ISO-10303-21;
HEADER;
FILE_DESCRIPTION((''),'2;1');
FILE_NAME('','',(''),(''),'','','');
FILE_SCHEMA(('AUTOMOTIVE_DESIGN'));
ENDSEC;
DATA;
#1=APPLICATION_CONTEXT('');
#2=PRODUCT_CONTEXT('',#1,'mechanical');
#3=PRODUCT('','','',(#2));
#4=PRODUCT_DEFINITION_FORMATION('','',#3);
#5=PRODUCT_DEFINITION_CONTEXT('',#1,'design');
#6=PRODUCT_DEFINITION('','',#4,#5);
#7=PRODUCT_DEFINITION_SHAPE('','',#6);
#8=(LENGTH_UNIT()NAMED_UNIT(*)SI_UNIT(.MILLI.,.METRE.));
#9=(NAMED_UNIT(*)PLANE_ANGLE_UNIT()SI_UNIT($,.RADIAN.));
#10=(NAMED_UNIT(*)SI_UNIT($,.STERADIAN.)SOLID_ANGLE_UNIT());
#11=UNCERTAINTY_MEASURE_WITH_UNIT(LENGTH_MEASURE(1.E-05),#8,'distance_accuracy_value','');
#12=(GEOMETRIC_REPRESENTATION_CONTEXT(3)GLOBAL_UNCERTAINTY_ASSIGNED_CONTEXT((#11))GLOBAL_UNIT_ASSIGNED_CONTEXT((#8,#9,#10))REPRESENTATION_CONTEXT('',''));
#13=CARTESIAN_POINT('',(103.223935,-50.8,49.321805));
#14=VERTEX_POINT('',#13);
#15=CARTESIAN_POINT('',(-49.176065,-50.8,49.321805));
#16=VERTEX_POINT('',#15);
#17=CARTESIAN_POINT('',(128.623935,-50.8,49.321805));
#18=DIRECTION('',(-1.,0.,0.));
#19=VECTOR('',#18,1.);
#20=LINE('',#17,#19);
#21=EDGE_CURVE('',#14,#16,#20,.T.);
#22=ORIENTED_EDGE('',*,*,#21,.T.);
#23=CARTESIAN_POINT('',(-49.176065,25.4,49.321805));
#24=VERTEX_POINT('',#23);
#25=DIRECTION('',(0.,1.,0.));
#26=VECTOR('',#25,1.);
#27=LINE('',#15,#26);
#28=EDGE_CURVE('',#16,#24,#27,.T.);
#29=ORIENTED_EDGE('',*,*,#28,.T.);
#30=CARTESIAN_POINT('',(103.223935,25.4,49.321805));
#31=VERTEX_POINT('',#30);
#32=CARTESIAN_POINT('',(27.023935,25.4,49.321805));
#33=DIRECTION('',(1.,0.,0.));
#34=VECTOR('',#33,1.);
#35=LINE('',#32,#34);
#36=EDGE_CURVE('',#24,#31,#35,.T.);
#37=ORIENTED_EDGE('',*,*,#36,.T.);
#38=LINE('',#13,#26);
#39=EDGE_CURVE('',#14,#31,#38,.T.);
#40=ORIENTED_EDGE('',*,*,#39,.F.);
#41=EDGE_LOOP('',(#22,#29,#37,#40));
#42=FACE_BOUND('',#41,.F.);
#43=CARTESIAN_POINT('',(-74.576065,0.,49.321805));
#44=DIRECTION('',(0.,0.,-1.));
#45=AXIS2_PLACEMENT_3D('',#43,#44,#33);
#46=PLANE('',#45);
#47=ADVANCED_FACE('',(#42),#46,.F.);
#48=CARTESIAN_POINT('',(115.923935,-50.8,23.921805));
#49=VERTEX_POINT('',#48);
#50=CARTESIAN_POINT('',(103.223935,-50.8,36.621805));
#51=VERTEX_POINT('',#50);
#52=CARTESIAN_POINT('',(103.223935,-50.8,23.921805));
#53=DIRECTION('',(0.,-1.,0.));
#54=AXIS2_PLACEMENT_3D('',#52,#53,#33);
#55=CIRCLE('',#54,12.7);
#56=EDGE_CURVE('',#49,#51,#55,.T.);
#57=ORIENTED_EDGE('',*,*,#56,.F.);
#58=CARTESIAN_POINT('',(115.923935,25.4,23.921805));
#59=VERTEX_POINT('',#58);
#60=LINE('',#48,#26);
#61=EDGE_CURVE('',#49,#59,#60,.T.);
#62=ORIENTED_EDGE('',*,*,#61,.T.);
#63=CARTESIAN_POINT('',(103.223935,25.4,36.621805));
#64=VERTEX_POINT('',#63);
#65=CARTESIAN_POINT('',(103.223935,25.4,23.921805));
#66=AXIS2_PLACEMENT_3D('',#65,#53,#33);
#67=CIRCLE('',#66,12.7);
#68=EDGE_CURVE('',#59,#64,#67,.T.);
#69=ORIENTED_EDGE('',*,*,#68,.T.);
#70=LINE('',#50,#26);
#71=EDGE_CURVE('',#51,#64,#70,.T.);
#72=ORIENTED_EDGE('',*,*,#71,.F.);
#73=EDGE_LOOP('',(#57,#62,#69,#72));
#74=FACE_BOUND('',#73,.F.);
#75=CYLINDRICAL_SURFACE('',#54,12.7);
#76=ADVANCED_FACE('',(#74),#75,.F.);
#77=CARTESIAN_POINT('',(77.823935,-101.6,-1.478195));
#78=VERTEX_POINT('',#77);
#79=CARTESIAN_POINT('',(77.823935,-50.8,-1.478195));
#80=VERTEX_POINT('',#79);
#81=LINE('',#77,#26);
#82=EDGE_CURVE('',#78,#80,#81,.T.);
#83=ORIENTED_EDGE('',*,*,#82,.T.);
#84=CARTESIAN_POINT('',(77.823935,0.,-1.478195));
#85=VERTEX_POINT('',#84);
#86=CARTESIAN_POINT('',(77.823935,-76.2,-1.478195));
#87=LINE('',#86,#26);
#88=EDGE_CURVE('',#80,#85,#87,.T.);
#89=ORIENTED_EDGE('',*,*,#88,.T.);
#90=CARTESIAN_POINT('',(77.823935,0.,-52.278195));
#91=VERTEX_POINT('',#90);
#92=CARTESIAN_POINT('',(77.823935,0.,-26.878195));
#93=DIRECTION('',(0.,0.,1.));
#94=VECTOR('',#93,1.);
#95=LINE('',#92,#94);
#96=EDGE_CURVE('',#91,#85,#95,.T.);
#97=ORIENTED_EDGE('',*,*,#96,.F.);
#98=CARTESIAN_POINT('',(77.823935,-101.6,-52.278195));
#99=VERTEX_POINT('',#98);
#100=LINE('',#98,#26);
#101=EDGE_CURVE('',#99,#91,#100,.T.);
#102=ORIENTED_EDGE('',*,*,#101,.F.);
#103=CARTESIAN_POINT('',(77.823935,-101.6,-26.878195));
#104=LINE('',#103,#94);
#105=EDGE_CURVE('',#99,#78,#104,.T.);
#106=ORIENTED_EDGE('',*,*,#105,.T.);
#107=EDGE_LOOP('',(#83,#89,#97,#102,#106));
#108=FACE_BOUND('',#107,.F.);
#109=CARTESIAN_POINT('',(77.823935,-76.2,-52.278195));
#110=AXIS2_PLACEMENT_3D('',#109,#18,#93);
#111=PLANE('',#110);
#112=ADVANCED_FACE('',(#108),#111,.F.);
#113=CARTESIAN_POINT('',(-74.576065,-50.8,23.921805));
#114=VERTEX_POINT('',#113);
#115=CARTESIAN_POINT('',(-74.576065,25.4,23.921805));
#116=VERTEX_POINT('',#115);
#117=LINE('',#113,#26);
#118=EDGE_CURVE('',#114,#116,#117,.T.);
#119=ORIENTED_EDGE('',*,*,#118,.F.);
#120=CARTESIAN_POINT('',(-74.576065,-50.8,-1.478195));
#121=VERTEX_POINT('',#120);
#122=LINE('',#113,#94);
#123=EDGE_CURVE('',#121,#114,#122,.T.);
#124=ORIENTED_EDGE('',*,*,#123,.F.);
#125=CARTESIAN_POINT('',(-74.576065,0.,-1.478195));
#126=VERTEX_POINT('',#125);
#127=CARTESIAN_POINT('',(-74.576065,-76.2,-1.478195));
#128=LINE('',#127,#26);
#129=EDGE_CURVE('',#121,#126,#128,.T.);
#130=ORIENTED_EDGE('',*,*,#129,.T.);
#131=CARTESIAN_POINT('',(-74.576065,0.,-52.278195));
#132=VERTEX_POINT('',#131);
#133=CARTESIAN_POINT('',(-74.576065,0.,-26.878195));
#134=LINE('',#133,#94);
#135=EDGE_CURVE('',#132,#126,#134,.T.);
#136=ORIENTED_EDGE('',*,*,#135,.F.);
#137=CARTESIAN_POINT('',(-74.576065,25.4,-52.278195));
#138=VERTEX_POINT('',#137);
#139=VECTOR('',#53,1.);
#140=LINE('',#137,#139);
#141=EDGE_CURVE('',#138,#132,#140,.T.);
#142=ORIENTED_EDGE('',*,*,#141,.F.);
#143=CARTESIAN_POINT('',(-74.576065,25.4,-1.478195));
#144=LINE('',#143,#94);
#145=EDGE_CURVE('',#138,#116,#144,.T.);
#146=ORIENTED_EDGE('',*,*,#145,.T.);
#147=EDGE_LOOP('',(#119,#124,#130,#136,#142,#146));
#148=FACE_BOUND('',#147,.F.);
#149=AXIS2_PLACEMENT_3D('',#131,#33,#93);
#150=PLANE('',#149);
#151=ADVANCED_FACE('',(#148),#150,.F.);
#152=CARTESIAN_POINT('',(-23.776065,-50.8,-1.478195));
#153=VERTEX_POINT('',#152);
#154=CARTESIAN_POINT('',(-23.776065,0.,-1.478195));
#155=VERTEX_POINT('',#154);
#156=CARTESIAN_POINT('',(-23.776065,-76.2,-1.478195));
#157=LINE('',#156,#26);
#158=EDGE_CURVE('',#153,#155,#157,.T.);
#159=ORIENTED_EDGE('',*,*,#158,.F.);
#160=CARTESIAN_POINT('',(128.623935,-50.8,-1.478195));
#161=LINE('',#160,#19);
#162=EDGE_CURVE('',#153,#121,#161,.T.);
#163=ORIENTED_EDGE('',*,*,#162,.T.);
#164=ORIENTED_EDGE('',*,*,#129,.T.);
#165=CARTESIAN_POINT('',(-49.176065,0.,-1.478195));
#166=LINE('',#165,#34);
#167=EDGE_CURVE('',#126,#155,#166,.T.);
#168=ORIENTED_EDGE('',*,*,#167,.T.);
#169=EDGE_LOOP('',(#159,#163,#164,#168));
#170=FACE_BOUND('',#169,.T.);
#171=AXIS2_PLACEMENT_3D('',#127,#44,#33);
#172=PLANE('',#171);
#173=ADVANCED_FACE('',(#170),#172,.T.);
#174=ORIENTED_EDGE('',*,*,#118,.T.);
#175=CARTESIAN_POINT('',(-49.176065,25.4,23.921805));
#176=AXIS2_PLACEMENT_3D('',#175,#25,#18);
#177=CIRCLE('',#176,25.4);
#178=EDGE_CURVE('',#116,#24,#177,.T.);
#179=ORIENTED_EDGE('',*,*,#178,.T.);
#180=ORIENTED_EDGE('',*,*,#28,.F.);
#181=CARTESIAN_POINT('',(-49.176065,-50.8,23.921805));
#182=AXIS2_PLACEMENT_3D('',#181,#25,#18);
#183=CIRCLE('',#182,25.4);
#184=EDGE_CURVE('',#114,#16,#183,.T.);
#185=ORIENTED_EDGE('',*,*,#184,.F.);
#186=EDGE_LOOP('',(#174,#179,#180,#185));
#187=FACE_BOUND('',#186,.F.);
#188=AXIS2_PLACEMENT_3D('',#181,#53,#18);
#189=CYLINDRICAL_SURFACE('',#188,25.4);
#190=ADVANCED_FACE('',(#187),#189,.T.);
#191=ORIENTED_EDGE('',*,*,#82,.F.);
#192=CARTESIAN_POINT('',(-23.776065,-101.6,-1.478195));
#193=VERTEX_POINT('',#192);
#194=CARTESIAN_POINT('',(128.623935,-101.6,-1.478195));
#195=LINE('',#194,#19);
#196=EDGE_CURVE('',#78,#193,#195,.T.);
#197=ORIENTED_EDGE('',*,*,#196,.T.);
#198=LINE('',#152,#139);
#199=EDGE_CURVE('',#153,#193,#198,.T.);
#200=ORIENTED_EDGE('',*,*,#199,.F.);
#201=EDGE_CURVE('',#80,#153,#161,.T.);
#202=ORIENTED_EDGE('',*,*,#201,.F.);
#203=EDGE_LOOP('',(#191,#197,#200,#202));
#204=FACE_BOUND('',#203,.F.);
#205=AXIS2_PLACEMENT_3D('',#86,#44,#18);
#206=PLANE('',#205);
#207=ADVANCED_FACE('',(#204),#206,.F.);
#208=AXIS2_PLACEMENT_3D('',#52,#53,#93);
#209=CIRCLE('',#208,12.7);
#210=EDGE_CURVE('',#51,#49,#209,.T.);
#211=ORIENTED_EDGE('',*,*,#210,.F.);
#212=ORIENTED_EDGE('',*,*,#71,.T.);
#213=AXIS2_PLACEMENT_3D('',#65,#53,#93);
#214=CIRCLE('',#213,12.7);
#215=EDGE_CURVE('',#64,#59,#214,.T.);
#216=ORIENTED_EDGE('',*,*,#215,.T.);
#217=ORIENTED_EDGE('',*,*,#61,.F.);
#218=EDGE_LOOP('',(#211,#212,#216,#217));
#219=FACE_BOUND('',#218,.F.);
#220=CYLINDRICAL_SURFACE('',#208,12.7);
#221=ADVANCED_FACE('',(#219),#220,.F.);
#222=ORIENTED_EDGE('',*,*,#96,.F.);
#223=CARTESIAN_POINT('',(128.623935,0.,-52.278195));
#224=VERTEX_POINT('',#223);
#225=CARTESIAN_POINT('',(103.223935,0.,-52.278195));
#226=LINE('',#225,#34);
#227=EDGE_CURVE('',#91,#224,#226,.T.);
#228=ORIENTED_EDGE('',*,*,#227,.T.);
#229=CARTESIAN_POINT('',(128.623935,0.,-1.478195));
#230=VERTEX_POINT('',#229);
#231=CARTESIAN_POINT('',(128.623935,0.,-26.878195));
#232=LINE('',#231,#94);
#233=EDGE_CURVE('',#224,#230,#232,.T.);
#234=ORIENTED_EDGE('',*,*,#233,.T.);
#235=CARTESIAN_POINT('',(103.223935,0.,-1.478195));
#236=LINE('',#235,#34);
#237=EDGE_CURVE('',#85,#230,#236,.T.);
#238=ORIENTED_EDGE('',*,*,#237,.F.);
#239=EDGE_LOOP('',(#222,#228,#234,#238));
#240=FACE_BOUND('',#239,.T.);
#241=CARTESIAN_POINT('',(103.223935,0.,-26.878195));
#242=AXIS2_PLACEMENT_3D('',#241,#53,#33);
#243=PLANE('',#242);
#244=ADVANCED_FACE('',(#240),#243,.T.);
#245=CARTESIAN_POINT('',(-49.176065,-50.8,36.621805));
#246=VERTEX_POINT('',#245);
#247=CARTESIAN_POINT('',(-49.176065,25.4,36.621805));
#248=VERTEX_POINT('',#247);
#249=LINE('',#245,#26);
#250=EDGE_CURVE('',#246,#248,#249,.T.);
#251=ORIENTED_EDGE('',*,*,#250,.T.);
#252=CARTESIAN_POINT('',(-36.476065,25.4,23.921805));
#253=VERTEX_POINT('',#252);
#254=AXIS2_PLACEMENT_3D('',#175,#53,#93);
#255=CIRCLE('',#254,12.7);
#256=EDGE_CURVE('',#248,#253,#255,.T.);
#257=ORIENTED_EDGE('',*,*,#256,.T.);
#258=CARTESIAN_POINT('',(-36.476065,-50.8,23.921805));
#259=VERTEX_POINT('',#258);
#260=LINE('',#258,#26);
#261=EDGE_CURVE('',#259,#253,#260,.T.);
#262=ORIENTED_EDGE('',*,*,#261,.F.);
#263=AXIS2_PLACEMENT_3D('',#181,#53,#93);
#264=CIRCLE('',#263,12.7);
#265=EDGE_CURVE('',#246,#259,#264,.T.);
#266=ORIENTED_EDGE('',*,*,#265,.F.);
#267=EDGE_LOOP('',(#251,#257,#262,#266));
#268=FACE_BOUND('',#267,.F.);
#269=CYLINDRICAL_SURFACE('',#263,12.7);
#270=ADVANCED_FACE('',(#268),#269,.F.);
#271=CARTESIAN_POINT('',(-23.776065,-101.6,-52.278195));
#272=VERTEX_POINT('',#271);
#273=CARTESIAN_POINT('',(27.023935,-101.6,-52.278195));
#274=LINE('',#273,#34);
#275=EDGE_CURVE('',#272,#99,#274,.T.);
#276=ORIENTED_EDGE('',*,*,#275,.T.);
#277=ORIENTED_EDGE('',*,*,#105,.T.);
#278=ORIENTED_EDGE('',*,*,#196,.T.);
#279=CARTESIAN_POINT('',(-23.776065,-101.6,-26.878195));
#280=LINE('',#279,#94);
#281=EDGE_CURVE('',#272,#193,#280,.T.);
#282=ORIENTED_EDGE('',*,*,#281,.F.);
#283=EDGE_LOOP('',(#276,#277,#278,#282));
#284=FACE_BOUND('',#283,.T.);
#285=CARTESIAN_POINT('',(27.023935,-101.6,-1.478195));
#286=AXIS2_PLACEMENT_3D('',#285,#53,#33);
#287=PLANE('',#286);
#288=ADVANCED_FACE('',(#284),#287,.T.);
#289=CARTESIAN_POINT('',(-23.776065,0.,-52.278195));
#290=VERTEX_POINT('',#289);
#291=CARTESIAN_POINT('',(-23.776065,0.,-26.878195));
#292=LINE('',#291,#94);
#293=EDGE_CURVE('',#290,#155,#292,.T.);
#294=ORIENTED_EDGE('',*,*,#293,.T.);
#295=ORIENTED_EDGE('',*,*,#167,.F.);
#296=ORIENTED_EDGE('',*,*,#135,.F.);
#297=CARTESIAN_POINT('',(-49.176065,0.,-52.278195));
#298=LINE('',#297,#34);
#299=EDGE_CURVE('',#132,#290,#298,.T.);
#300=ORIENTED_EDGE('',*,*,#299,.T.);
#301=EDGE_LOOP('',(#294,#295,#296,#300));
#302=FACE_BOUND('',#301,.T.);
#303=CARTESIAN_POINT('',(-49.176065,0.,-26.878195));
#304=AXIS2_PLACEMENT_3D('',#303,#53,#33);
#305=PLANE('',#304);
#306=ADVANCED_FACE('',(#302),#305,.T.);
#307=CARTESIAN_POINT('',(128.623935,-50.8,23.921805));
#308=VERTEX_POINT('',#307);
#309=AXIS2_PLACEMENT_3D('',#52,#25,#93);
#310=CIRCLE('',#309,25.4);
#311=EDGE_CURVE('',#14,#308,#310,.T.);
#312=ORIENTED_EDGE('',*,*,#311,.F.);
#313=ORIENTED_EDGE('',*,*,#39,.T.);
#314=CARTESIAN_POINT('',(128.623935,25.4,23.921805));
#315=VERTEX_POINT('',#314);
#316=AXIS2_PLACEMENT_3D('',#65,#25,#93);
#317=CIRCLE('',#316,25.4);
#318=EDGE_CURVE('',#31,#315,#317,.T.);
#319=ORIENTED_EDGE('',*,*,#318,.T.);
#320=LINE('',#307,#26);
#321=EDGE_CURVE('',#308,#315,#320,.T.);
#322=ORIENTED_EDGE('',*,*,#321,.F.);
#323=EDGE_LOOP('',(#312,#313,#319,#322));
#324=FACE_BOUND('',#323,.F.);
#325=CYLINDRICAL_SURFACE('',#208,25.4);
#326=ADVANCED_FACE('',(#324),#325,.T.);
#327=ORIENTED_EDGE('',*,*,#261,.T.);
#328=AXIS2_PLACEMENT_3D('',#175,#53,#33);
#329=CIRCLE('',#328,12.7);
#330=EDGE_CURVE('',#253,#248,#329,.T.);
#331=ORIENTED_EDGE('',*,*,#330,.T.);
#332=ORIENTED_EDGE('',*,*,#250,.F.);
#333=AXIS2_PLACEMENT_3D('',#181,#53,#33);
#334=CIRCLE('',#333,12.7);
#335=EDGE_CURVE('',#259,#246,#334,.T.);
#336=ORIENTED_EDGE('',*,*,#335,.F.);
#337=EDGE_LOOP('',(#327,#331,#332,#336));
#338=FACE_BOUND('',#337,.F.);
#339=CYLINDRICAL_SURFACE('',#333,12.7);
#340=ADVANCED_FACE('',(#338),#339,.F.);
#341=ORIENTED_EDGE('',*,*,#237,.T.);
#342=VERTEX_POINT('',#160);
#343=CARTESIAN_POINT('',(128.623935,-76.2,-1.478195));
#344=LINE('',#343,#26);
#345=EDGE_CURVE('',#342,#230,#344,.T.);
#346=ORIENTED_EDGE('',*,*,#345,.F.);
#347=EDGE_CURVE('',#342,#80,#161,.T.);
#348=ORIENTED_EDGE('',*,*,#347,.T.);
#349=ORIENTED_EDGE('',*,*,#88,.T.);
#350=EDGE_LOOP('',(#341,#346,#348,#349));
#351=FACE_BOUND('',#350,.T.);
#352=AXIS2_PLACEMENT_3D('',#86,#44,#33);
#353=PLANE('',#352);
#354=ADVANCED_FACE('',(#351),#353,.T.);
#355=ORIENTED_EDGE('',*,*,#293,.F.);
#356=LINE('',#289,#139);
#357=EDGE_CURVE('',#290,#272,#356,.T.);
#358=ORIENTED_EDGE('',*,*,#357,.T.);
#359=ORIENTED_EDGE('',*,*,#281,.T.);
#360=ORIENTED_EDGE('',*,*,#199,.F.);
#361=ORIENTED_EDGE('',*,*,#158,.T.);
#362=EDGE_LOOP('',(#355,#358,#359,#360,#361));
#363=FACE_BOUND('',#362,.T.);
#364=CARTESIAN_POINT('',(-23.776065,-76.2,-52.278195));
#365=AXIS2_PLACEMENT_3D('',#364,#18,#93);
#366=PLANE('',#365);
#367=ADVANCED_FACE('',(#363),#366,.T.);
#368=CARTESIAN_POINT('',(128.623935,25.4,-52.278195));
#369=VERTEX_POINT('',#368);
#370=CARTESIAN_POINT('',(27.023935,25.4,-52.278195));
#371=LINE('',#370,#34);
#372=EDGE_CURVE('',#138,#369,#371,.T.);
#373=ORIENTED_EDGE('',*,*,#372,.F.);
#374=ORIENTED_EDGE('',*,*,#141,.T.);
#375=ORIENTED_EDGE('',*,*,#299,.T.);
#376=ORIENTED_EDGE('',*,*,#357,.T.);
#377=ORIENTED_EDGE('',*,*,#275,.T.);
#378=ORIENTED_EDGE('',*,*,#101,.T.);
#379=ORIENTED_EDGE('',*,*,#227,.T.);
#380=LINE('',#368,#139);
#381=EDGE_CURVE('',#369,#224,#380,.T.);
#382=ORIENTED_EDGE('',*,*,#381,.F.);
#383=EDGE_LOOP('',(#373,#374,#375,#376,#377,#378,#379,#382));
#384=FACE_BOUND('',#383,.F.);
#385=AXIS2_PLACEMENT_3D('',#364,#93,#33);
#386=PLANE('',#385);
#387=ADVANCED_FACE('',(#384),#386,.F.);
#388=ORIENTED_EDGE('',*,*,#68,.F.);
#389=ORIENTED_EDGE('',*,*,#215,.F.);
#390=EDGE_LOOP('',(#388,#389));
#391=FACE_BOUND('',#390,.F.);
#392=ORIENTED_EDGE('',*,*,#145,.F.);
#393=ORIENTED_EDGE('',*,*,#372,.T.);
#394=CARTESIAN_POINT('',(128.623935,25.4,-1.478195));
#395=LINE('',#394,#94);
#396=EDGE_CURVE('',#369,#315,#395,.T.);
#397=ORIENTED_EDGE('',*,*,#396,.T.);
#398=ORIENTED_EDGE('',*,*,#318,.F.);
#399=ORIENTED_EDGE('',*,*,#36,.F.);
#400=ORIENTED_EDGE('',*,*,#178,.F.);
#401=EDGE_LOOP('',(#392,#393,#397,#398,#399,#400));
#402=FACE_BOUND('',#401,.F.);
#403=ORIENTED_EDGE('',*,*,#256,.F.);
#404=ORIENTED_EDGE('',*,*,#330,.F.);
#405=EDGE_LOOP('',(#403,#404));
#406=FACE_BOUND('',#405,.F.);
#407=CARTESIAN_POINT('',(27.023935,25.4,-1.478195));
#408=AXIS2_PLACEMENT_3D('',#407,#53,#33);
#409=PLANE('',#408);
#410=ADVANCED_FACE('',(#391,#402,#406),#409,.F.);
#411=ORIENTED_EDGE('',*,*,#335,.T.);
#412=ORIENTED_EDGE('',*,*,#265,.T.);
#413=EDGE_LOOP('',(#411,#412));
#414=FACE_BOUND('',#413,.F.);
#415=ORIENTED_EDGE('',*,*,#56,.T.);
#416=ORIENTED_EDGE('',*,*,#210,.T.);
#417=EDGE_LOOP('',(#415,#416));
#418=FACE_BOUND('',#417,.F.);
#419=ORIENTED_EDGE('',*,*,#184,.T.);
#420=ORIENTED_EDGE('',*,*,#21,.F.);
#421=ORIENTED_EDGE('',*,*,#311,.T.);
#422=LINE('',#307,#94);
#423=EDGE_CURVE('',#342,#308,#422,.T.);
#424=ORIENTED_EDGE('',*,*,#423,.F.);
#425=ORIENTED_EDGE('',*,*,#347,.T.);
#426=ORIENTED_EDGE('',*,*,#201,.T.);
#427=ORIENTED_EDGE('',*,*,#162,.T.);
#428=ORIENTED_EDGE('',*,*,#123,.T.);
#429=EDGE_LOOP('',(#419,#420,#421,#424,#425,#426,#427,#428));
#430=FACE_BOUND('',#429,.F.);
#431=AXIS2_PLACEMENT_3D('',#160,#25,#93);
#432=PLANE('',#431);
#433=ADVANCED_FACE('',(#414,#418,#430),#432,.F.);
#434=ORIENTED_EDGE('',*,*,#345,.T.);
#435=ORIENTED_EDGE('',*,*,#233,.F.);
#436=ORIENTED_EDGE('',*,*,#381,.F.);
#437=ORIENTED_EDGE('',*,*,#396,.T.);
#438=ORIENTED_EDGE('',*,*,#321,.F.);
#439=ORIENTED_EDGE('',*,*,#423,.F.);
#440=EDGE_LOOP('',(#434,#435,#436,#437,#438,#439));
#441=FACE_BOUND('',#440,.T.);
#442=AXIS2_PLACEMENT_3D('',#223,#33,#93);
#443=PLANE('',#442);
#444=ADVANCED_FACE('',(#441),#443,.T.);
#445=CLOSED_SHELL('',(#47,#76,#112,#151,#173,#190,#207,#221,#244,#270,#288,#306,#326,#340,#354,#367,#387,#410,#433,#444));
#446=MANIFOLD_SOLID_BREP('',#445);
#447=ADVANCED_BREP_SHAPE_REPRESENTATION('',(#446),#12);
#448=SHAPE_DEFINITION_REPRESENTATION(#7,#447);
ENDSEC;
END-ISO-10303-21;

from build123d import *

# Parameters (mm, degrees)
F0_W      = 203.2
F0_H      = 101.6
F1_DEPTH  = 76.2
F3_DEPTH  = 25.4
F2_W      = 50.8
F2_H      = 50.8
F4_DEPTH  = 76.2
F5_W      = 25.4
F5_H      = 50.8
F6_DEPTH  = 203.2
F7_DEPTH  = 25.4
F9_DEPTH  = 76.2
F11_DEPTH = 76.2


with BuildPart() as f1:
    # F0 (on Front) → F1 (new body)
    with BuildSketch(Plane.XZ):
        with Locations((27.0239350557, -1.4781945765)):
            Rectangle(F0_W, F0_H)
    extrude(amount=F1_DEPTH)

    # F3 (add): a face of the model
    f3_faces = [f1.faces().sort_by_distance(p)[0] for p in [
        (27.0239350557, 0, -1.4781945765),
    ]]
    extrude(f3_faces, amount=F3_DEPTH)

    # F2 (on face) → F4 (cut)
    with BuildSketch(Plane.XZ.offset(76.2)):
        with Locations((103.2239350557, -26.8781945765)):
            Rectangle(F2_W, F2_H)
        with Locations((-49.1760649443, -26.8781945765)):
            Rectangle(F2_W, F2_H)
    extrude(amount=-F4_DEPTH, mode=Mode.SUBTRACT)

    # F5 (on face) → F6 (cut)
    with BuildSketch(Plane.YZ.offset(128.6239350557)):
        with Locations((-63.5, 23.9218054235)):
            Rectangle(F5_W, F5_H)
    extrude(amount=-F6_DEPTH, mode=Mode.SUBTRACT)

    # F7 (add): a face of the model
    f7_faces = [f1.faces().sort_by_distance(p)[0] for p in [
        (27.0239350557, -76.2, -26.8781945765),
    ]]
    extrude(f7_faces, amount=F7_DEPTH)

    # F8 (on face) → F9 (cut)
    with BuildSketch(Plane.XZ.offset(50.8)):
        with BuildLine():
            Line((128.6239350557, 49.3218054235), (103.2239350557, 49.3218054235))
            ThreePointArc((103.2239350557, 49.3218054235), (121.1844472979, 41.8823176656), (128.6239350557, 23.9218054235))
            Line((128.6239350557, 23.9218054235), (128.6239350557, 49.3218054235))
        make_face()
        with BuildLine():
            Line((-49.1760649443, 49.3218054235), (-74.5760649443, 49.3218054235))
            Line((-74.5760649443, 49.3218054235), (-74.5760649443, 23.9218054235))
            ThreePointArc((-74.5760649443, 23.9218054235), (-67.1365771864, 41.8823176656), (-49.1760649443, 49.3218054235))
        make_face()
    extrude(amount=-F9_DEPTH, mode=Mode.SUBTRACT)

    # F10 (on face) → F11 (cut)
    with BuildSketch(Plane.XZ.offset(50.8)):
        with BuildLine():
            ThreePointArc((-36.4760649443, 23.9218054235), (-40.1958088232, 32.9020615446), (-49.1760649443, 36.6218054235))
            ThreePointArc((-49.1760649443, 36.6218054235), (-58.1563210653, 14.9415493024), (-36.4760649443, 23.9218054235))
        make_face()
        with BuildLine():
            ThreePointArc((115.9239350557, 23.9218054235), (112.2041911768, 32.9020615446), (103.2239350557, 36.6218054235))
            ThreePointArc((103.2239350557, 36.6218054235), (94.2436789347, 14.9415493024), (115.9239350557, 23.9218054235))
        make_face()
    extrude(amount=-F11_DEPTH, mode=Mode.SUBTRACT)


solid = f1.part
